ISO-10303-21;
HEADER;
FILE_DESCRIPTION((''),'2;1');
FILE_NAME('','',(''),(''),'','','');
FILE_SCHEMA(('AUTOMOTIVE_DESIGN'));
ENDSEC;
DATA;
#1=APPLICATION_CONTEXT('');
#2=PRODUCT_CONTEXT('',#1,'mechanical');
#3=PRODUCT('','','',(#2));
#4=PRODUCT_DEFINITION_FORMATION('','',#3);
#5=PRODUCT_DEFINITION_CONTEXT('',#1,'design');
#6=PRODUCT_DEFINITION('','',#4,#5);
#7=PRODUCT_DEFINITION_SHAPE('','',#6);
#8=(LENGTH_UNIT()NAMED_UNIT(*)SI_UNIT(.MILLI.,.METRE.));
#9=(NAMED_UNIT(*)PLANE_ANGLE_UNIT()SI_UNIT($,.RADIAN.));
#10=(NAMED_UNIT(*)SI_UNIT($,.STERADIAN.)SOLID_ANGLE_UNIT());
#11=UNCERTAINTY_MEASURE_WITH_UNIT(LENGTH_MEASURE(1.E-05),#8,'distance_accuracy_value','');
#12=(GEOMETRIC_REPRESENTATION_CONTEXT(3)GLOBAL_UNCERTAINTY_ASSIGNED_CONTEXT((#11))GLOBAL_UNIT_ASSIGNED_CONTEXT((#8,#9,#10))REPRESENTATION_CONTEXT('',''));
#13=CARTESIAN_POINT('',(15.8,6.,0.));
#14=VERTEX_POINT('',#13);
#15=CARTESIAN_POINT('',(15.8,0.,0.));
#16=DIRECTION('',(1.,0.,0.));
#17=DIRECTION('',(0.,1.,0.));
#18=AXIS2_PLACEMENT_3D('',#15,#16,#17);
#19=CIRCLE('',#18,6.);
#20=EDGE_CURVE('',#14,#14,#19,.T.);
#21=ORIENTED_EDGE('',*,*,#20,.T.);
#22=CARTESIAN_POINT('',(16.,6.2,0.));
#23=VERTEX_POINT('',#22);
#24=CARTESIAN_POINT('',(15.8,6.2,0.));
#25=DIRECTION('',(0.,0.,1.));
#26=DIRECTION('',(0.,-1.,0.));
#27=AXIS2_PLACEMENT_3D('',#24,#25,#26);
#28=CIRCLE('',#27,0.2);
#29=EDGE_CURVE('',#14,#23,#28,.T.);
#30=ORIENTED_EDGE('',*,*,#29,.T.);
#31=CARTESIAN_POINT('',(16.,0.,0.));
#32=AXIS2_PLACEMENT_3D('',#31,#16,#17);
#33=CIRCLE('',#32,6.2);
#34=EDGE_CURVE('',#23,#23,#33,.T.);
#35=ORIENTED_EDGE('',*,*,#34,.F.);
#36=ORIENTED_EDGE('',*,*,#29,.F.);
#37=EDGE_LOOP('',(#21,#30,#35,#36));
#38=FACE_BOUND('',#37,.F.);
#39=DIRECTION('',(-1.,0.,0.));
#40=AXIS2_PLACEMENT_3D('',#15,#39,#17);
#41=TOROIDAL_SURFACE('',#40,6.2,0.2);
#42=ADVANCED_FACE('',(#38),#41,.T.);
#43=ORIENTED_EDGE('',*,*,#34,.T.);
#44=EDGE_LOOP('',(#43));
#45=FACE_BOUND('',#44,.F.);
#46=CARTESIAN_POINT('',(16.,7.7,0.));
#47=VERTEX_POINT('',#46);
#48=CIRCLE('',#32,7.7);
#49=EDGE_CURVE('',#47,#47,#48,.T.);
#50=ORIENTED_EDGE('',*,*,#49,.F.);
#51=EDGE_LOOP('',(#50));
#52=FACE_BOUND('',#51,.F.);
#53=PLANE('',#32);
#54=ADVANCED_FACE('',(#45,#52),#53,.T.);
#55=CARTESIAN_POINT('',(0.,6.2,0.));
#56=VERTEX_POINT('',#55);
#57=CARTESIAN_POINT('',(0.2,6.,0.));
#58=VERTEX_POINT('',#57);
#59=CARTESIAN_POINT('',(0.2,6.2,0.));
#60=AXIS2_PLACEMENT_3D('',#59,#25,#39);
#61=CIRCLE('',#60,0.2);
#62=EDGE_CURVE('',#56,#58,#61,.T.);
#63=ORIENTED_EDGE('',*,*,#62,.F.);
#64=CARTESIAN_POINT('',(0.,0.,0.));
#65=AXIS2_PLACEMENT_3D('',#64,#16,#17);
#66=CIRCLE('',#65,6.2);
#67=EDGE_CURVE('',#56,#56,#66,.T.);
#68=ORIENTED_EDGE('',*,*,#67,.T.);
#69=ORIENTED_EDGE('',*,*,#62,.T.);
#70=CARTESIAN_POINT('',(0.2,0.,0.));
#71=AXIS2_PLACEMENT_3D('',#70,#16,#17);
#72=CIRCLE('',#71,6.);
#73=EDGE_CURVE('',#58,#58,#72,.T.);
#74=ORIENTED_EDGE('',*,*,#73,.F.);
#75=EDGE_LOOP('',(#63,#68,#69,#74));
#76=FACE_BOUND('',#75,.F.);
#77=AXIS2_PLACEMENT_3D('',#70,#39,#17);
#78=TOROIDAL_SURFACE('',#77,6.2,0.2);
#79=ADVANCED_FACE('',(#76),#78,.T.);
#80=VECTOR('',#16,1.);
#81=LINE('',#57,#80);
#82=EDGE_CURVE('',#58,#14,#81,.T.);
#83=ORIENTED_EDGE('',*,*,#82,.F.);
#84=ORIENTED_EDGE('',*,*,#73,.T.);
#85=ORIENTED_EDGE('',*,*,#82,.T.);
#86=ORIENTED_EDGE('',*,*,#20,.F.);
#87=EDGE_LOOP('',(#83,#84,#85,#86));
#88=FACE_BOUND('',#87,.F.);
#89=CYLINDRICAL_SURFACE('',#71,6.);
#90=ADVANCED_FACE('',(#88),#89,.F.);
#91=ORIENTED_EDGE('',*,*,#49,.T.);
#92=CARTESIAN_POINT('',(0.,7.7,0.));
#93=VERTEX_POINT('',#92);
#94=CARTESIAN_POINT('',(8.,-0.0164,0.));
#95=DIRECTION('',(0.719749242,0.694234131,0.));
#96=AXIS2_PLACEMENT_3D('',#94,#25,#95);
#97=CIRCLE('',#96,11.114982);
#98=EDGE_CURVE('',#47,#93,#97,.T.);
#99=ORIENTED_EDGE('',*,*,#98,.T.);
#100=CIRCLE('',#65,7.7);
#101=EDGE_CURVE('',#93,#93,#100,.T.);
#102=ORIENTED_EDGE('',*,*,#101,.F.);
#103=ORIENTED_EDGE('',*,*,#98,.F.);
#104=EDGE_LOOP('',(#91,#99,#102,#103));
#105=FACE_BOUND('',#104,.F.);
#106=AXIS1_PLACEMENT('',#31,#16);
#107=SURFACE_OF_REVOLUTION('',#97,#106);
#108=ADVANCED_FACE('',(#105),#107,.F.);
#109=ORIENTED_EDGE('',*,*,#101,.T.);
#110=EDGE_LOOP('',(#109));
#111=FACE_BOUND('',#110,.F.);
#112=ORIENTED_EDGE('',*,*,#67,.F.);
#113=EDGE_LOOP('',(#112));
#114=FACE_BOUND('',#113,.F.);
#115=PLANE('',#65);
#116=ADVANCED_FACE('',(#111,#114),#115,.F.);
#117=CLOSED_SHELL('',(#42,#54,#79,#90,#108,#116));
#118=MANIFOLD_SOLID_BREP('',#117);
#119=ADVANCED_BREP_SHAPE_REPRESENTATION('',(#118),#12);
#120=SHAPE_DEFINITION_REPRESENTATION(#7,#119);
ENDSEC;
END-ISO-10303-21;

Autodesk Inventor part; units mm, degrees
sketch "Sketch_1" plane through (0, 0, 0) normal (0, 0, 1) x (1, 0, 0)
  line L0 (16, 0) -> (0, 0)
  arc A0 (0, 6.2) -> (0.2, 6) centre (0.2, 6.2) ccw
  line L1 (0.2, 6) -> (15.8, 6)
  arc A1 (15.8, 6) -> (16, 6.2) centre (15.8, 6.2) ccw
  line L2 (16, 6.2) -> (16, 7.7)
  arc A2 (16, 7.7) -> (0, 7.7) centre (8, -0.0164) ccw
  line L3 (0, 7.7) -> (0, 6.2)
revolve "Revolution1" add sketch "Sketch_1" angle 360 about axis through (16, 0, 0) along (1, 0, 0)
ref_plane "IP1_XY" through (8, 0, 0) normal (-1, 0, 0) x (0, 0, -1)
ref_plane "IP1_YZ" through (8, 0, 0) normal (0, 0, -1) x (0, -1, 0)
ref_plane "IP1_ZX" through (8, 0, 0) normal (0, -1, 0) x (-1, 0, 0)
properties part number "POS 12 Ball"
